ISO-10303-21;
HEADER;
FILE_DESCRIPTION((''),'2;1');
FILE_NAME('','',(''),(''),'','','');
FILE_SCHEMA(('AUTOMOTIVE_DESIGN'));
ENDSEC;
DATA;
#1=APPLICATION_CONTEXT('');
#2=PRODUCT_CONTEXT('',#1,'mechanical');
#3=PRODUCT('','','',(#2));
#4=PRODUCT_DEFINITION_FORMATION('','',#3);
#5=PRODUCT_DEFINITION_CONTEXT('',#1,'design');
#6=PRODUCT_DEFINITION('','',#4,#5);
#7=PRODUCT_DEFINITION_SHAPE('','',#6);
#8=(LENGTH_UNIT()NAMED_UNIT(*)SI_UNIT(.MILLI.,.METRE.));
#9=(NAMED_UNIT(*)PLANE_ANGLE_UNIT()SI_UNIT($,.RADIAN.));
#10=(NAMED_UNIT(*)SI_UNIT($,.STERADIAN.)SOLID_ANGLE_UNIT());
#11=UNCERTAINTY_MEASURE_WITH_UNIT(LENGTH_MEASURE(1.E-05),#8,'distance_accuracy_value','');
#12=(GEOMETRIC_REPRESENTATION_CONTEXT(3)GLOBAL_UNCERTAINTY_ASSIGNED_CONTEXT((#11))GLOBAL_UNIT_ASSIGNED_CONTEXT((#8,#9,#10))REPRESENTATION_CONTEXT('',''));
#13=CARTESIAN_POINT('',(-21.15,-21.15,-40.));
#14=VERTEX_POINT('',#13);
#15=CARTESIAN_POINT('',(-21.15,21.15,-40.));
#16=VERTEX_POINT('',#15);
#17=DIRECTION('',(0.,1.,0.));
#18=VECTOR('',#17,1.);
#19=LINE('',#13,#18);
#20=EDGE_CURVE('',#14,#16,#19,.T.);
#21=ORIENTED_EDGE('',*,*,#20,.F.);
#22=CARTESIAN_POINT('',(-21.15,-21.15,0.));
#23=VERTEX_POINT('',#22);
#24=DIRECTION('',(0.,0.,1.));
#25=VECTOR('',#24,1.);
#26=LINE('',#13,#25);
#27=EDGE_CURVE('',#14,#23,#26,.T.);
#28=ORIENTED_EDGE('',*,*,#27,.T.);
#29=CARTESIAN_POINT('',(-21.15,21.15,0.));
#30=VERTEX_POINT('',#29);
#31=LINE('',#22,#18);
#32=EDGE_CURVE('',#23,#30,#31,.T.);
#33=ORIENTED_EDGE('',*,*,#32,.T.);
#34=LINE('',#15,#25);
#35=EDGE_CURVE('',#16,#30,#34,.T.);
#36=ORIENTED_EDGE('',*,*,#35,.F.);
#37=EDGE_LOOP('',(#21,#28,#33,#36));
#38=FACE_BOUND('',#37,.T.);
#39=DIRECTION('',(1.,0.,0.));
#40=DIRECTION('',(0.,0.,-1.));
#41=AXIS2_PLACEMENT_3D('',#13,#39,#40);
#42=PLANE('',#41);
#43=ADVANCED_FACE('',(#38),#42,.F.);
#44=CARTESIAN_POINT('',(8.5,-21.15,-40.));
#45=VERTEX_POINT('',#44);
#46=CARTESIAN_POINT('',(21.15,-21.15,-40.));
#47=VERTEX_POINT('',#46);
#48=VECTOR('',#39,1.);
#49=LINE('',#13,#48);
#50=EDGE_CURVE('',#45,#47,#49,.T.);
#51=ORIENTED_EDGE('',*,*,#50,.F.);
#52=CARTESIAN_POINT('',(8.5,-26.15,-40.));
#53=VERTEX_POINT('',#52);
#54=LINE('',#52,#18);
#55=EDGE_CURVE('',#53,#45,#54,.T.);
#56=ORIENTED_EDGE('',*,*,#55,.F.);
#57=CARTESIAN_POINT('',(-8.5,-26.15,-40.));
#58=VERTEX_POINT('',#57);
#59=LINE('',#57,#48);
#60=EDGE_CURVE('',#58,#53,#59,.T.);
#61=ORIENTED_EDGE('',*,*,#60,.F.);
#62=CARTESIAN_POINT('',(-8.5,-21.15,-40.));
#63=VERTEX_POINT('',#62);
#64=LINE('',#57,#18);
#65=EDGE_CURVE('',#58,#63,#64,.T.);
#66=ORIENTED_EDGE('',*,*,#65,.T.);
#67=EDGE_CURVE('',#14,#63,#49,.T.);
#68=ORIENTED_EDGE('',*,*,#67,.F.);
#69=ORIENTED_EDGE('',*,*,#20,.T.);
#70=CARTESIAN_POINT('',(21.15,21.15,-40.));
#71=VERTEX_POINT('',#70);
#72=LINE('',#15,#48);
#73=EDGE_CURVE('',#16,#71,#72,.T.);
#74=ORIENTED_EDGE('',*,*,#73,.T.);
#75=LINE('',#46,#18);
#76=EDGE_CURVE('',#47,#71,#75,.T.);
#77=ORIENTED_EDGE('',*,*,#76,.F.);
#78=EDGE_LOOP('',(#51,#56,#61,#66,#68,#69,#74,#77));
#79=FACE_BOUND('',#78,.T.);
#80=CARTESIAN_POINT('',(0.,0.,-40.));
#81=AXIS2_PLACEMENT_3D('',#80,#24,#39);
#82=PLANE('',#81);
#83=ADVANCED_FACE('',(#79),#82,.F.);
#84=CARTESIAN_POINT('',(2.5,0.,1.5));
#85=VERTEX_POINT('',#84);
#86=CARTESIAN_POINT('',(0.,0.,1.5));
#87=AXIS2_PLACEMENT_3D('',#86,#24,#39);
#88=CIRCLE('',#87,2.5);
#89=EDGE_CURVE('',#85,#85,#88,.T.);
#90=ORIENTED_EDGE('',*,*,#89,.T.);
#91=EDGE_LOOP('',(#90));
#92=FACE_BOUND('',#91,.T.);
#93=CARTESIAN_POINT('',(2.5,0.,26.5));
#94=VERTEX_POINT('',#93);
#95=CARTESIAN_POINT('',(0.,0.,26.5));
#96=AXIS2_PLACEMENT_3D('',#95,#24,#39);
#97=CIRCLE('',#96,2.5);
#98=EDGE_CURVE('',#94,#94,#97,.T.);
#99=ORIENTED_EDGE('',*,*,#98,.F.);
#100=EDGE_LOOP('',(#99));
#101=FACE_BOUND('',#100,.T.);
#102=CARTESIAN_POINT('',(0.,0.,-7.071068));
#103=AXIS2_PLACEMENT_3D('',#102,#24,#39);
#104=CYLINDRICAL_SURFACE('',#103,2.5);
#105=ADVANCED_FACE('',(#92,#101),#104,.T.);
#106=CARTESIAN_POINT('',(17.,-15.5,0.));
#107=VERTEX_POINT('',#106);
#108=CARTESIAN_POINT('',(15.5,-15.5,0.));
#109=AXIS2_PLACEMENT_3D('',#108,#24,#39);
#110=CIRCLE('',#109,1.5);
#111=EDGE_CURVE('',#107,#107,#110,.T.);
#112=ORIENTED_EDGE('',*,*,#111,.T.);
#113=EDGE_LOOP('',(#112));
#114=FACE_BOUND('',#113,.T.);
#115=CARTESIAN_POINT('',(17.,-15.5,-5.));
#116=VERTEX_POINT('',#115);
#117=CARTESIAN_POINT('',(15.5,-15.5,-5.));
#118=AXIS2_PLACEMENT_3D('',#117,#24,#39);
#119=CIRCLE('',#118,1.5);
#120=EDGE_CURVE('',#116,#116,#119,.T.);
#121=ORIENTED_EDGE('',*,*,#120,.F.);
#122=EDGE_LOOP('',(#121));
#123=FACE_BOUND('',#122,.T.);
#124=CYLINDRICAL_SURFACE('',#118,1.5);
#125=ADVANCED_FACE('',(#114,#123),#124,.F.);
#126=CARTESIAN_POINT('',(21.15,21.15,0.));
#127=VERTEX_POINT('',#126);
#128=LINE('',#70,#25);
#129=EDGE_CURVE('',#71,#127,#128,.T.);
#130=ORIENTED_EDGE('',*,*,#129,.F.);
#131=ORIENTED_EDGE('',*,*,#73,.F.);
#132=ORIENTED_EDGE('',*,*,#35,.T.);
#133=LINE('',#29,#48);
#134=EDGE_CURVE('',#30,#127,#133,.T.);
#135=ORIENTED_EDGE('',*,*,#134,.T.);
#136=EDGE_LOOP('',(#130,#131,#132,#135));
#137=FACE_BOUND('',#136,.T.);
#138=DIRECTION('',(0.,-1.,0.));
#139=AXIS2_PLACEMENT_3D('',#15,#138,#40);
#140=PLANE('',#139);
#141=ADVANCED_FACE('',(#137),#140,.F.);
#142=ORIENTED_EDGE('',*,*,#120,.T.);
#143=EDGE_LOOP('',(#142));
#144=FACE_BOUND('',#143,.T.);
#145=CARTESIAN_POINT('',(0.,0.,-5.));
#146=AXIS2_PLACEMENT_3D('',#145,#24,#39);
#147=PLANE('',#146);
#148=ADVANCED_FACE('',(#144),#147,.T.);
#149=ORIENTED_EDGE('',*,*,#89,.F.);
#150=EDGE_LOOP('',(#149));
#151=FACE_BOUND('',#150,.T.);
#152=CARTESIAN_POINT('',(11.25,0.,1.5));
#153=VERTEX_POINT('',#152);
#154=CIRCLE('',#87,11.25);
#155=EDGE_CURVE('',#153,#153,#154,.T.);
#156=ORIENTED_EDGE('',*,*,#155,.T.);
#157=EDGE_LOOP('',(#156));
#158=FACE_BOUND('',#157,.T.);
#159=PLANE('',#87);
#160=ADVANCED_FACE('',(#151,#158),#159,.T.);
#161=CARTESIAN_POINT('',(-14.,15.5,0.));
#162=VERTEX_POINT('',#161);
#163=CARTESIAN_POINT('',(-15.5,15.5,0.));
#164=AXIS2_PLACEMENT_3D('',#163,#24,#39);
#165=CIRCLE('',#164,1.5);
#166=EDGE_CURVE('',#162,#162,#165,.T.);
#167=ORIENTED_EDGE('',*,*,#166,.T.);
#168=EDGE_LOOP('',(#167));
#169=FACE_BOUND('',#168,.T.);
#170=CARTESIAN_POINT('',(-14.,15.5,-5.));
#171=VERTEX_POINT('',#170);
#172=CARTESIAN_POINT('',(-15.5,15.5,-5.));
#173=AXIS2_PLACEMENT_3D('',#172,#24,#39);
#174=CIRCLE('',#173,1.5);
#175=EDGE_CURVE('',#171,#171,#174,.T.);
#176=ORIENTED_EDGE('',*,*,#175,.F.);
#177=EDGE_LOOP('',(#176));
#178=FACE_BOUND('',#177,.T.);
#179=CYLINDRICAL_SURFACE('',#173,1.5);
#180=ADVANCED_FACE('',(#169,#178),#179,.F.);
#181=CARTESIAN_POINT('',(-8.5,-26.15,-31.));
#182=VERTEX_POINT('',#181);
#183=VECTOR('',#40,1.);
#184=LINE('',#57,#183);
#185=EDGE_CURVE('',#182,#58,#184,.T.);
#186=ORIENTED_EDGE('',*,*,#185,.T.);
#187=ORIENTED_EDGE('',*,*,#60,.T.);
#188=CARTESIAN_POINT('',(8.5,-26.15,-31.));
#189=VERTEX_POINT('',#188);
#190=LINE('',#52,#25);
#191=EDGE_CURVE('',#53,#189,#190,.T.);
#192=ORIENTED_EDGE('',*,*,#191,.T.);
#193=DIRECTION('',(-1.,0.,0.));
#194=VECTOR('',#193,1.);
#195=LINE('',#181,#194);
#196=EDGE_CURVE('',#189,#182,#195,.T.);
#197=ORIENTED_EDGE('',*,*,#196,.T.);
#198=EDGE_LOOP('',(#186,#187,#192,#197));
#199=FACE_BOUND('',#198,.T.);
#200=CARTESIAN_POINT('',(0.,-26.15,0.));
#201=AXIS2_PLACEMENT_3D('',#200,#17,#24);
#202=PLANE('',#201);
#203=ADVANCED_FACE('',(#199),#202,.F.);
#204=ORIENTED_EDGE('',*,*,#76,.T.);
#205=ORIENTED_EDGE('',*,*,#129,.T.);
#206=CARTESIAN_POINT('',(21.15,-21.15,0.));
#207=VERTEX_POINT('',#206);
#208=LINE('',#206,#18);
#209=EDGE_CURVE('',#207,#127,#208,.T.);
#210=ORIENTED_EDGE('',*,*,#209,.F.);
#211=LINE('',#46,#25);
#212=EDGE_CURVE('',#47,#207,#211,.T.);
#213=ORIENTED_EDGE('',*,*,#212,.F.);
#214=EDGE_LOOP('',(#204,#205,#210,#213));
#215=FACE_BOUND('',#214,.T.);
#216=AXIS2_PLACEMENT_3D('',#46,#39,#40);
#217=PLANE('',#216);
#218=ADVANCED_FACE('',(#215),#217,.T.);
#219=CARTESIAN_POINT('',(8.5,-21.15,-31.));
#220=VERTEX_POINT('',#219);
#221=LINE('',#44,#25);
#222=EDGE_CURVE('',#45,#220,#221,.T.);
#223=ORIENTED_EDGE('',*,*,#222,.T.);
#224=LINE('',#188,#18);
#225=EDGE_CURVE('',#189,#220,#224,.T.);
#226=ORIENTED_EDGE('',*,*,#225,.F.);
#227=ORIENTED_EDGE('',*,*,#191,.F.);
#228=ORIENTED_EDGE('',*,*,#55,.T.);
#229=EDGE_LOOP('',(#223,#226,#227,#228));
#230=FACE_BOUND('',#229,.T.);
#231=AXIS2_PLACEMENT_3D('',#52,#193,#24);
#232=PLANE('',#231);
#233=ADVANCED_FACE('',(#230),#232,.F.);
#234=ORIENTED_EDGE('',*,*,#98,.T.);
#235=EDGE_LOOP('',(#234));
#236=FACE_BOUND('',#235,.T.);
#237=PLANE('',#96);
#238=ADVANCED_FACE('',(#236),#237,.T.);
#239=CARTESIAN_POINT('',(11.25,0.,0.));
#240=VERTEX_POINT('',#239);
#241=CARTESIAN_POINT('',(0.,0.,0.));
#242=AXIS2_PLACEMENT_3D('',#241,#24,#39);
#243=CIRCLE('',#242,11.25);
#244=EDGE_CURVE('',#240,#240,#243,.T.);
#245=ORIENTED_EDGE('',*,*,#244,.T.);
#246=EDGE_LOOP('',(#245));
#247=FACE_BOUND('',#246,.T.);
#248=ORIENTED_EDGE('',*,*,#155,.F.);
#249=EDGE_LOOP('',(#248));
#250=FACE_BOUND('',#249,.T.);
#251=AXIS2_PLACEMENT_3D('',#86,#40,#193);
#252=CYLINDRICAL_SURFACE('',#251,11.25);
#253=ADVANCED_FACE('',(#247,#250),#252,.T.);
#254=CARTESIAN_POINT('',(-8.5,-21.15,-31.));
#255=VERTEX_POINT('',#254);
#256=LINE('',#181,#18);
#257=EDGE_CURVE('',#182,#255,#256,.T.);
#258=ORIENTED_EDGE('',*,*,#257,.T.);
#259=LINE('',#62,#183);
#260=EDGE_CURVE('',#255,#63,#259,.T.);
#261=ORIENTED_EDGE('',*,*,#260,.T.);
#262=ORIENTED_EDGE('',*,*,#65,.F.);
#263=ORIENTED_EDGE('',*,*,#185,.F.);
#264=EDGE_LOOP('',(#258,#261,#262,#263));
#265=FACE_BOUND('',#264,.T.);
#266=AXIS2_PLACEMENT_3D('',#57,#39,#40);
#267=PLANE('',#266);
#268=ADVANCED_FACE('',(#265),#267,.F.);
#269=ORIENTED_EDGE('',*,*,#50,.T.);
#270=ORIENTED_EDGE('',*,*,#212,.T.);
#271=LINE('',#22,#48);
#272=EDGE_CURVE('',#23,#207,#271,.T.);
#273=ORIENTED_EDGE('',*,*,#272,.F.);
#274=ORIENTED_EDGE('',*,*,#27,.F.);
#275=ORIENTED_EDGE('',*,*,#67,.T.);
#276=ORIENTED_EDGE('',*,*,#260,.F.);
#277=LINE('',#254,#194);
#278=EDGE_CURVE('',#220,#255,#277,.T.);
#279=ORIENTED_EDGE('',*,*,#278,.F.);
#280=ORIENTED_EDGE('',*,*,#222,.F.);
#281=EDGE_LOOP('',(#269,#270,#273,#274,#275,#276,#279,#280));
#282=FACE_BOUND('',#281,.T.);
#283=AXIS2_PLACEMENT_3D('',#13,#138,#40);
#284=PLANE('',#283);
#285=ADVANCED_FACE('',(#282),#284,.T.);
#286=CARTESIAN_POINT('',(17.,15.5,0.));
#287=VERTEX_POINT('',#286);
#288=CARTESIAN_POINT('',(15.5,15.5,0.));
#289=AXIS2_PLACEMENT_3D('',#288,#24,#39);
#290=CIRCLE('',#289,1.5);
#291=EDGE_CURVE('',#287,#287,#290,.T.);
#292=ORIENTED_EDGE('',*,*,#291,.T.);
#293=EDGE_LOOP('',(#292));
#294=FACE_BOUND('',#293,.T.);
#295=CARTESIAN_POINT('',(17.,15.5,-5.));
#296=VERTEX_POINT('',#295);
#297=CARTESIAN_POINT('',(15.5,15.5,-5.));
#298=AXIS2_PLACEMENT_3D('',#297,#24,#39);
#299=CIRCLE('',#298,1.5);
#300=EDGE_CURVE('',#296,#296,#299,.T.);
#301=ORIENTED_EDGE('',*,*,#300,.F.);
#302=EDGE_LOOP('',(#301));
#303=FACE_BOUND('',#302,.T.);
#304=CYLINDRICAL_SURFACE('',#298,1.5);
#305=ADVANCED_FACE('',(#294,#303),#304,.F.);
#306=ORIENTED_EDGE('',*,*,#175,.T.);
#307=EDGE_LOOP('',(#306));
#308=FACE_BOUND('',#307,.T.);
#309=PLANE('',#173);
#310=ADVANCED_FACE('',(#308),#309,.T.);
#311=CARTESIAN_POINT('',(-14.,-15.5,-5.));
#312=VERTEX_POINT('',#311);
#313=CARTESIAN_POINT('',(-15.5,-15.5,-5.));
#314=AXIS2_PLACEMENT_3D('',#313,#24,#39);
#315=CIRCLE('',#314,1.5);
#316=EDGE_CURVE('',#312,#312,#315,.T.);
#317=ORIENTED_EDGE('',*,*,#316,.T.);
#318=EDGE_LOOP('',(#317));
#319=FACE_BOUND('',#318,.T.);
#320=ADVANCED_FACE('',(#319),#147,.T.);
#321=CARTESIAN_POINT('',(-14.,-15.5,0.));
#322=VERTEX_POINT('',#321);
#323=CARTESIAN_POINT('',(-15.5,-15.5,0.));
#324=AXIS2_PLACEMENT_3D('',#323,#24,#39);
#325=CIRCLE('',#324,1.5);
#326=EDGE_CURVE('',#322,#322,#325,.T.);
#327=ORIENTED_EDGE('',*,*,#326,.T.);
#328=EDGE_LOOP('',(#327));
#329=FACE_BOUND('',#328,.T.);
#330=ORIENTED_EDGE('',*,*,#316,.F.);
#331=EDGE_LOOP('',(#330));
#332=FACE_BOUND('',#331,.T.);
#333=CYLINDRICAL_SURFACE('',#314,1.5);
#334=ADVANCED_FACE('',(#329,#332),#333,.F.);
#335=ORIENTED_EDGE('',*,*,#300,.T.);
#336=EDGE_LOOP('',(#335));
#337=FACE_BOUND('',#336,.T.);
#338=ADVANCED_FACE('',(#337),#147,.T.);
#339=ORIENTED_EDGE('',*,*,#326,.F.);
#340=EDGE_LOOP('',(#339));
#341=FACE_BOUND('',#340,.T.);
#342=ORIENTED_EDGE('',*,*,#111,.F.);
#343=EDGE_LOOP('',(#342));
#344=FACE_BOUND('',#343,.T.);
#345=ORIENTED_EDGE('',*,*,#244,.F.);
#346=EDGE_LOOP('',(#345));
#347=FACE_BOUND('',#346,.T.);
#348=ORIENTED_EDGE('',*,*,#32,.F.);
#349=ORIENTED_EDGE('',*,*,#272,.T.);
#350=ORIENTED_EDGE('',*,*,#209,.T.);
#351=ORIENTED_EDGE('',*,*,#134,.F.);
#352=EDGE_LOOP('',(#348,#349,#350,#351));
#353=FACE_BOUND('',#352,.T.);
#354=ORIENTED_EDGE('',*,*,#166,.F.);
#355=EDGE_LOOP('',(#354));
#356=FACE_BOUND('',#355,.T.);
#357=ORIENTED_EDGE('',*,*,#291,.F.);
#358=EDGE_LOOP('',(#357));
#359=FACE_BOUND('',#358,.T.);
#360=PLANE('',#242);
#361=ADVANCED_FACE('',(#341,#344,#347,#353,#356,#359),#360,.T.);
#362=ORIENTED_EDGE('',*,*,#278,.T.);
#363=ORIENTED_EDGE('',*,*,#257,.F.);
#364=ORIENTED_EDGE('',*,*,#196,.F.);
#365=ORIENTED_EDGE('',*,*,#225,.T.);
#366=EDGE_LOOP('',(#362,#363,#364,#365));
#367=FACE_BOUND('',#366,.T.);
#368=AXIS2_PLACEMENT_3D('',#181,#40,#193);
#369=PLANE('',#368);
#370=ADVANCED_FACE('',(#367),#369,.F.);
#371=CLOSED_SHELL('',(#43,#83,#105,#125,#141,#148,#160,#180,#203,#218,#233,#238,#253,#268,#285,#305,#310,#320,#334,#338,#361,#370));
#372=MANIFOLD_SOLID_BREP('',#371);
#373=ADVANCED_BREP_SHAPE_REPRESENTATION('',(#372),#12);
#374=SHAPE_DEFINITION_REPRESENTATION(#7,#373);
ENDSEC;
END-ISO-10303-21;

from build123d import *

# Parameters (mm, degrees)
SKETCH1_W                = 42.3
SKETCH1_H                = 42.3
BOSS_EXTRUDE1_DEPTH      = 40
SKETCH1_3_R              = 1.5
CUT_EXTRUDE1_DEPTH       = 5
SKETCH1_4_R              = 11.25
SKETCH1_4_R_2            = 2.5
BOSS_EXTRUDE2_DEPTH      = 1.5
BOSS_EXTRUDE3_DEPTH      = 25
BOSS_EXTRUDE3_DEPTH_BACK = 40
BOSS_EXTRUDE3_START      = 1.5
SKETCH1_5_R              = 2.5
SKETCH3_W                = 17
SKETCH3_H                = 9
BOSS_EXTRUDE4_DEPTH      = 5


with BuildPart() as part:
    # Sketch1 → Boss-Extrude1 (new body)
    with BuildSketch(Plane.XY):
        Rectangle(SKETCH1_W, SKETCH1_H)
    extrude(amount=-BOSS_EXTRUDE1_DEPTH)

    # Sketch1<3> → Cut-Extrude1 (cut)
    with BuildSketch(Plane.XY):
        with Locations((-15.5, -15.5)):
            Circle(SKETCH1_3_R)
        with Locations((15.5, 15.5)):
            Circle(SKETCH1_3_R)
        with Locations((15.5, -15.5)):
            Circle(SKETCH1_3_R)
        with Locations((-15.5, 15.5)):
            Circle(SKETCH1_3_R)
    extrude(amount=-CUT_EXTRUDE1_DEPTH, mode=Mode.SUBTRACT)

    # Sketch1<4> → Boss-Extrude2 (add)
    with BuildSketch(Plane.XY):
        Circle(SKETCH1_4_R)
        Circle(SKETCH1_4_R_2, mode=Mode.SUBTRACT)
    extrude(amount=BOSS_EXTRUDE2_DEPTH)

    # Sketch1<5> → Boss-Extrude3 (add, two sides: drawn at the far end of the back side and taken through both)
    with BuildSketch(Plane.XY.offset(BOSS_EXTRUDE3_START - BOSS_EXTRUDE3_DEPTH_BACK)):
        Circle(SKETCH1_5_R)
    extrude(amount=BOSS_EXTRUDE3_DEPTH + BOSS_EXTRUDE3_DEPTH_BACK)

    # Sketch3 → Boss-Extrude4 (add)
    with BuildSketch(Plane.XZ.offset(21.15)):
        with Locations((0, -35.5)):
            Rectangle(SKETCH3_W, SKETCH3_H)
    extrude(amount=BOSS_EXTRUDE4_DEPTH)


solid = part.part
